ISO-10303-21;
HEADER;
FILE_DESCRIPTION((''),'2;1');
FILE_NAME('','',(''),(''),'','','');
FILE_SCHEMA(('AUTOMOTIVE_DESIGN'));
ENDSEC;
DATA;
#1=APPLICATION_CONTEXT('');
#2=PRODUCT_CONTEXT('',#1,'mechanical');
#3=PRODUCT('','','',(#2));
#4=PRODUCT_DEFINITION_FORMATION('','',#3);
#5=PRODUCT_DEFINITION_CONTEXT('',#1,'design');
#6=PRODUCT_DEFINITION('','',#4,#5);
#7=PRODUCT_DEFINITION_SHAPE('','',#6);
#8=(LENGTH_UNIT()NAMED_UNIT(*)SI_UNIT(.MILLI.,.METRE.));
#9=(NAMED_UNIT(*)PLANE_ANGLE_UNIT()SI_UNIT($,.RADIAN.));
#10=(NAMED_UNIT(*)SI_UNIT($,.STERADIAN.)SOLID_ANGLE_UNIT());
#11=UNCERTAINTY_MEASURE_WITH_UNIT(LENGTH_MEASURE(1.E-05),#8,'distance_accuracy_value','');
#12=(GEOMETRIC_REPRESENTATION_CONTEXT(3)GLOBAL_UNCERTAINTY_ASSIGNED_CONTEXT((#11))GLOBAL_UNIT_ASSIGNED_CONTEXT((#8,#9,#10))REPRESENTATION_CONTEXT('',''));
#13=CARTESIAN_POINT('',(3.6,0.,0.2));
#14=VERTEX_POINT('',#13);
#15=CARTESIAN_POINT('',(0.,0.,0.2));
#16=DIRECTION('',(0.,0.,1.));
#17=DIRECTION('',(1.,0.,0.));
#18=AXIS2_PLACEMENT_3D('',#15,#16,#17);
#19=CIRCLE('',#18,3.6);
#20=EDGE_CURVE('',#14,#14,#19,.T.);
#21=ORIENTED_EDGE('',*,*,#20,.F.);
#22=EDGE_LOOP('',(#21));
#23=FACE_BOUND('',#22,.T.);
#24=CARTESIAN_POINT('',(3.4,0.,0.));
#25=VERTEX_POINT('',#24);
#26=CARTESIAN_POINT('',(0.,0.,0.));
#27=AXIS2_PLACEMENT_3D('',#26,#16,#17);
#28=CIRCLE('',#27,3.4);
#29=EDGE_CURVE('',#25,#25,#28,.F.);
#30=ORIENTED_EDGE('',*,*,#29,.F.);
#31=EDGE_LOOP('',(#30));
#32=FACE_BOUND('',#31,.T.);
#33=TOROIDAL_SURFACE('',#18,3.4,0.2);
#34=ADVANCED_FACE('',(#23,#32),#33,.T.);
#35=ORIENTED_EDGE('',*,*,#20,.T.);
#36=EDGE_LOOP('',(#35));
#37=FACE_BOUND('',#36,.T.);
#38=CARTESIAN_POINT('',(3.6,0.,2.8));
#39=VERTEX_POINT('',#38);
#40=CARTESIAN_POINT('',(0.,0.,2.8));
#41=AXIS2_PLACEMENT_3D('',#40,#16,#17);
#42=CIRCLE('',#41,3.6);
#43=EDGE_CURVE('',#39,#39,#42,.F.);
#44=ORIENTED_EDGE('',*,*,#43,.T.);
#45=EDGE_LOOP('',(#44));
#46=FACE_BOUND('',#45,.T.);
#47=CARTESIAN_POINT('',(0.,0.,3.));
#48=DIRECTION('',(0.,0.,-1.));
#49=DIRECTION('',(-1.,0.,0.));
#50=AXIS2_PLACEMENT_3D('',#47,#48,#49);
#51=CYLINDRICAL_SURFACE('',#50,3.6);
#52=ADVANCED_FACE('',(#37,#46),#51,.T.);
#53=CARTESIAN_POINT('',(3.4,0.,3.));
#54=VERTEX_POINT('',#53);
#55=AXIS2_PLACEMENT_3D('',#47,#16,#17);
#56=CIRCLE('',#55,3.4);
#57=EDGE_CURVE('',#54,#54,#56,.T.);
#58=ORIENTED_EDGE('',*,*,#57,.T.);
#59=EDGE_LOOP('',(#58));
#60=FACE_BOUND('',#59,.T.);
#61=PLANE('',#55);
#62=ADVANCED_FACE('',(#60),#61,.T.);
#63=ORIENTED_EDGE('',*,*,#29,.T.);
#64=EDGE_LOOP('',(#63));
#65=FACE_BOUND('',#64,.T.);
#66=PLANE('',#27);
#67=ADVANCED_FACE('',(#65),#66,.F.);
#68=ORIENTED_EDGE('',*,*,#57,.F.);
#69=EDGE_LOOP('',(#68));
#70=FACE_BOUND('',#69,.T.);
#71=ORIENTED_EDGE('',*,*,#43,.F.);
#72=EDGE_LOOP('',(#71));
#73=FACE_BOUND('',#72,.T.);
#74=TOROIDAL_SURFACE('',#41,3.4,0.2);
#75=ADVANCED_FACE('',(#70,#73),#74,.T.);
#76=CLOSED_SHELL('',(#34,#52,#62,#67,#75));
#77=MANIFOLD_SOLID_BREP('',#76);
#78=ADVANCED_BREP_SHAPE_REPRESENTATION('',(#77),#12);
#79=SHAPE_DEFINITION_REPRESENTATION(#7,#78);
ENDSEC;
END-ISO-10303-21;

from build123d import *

# Parameters (mm, degrees)
SKETCH_1_R      = 3.6
EXTRUDE_1_DEPTH = 3
FILLET_1_R      = 0.2


with BuildPart() as part:
    # 草图1 → 凸台-拉伸1 (new body)
    with BuildSketch(Plane.XY):
        Circle(SKETCH_1_R)
    extrude(amount=EXTRUDE_1_DEPTH)

    # 圆角1
    fillet_1_edges = [part.edges().sort_by_distance(p)[0] for p in [
        (-3.6, 0, 0),
        (-3.6, 0, 3),
    ]]
    fillet(fillet_1_edges, radius=FILLET_1_R)


solid = part.part
